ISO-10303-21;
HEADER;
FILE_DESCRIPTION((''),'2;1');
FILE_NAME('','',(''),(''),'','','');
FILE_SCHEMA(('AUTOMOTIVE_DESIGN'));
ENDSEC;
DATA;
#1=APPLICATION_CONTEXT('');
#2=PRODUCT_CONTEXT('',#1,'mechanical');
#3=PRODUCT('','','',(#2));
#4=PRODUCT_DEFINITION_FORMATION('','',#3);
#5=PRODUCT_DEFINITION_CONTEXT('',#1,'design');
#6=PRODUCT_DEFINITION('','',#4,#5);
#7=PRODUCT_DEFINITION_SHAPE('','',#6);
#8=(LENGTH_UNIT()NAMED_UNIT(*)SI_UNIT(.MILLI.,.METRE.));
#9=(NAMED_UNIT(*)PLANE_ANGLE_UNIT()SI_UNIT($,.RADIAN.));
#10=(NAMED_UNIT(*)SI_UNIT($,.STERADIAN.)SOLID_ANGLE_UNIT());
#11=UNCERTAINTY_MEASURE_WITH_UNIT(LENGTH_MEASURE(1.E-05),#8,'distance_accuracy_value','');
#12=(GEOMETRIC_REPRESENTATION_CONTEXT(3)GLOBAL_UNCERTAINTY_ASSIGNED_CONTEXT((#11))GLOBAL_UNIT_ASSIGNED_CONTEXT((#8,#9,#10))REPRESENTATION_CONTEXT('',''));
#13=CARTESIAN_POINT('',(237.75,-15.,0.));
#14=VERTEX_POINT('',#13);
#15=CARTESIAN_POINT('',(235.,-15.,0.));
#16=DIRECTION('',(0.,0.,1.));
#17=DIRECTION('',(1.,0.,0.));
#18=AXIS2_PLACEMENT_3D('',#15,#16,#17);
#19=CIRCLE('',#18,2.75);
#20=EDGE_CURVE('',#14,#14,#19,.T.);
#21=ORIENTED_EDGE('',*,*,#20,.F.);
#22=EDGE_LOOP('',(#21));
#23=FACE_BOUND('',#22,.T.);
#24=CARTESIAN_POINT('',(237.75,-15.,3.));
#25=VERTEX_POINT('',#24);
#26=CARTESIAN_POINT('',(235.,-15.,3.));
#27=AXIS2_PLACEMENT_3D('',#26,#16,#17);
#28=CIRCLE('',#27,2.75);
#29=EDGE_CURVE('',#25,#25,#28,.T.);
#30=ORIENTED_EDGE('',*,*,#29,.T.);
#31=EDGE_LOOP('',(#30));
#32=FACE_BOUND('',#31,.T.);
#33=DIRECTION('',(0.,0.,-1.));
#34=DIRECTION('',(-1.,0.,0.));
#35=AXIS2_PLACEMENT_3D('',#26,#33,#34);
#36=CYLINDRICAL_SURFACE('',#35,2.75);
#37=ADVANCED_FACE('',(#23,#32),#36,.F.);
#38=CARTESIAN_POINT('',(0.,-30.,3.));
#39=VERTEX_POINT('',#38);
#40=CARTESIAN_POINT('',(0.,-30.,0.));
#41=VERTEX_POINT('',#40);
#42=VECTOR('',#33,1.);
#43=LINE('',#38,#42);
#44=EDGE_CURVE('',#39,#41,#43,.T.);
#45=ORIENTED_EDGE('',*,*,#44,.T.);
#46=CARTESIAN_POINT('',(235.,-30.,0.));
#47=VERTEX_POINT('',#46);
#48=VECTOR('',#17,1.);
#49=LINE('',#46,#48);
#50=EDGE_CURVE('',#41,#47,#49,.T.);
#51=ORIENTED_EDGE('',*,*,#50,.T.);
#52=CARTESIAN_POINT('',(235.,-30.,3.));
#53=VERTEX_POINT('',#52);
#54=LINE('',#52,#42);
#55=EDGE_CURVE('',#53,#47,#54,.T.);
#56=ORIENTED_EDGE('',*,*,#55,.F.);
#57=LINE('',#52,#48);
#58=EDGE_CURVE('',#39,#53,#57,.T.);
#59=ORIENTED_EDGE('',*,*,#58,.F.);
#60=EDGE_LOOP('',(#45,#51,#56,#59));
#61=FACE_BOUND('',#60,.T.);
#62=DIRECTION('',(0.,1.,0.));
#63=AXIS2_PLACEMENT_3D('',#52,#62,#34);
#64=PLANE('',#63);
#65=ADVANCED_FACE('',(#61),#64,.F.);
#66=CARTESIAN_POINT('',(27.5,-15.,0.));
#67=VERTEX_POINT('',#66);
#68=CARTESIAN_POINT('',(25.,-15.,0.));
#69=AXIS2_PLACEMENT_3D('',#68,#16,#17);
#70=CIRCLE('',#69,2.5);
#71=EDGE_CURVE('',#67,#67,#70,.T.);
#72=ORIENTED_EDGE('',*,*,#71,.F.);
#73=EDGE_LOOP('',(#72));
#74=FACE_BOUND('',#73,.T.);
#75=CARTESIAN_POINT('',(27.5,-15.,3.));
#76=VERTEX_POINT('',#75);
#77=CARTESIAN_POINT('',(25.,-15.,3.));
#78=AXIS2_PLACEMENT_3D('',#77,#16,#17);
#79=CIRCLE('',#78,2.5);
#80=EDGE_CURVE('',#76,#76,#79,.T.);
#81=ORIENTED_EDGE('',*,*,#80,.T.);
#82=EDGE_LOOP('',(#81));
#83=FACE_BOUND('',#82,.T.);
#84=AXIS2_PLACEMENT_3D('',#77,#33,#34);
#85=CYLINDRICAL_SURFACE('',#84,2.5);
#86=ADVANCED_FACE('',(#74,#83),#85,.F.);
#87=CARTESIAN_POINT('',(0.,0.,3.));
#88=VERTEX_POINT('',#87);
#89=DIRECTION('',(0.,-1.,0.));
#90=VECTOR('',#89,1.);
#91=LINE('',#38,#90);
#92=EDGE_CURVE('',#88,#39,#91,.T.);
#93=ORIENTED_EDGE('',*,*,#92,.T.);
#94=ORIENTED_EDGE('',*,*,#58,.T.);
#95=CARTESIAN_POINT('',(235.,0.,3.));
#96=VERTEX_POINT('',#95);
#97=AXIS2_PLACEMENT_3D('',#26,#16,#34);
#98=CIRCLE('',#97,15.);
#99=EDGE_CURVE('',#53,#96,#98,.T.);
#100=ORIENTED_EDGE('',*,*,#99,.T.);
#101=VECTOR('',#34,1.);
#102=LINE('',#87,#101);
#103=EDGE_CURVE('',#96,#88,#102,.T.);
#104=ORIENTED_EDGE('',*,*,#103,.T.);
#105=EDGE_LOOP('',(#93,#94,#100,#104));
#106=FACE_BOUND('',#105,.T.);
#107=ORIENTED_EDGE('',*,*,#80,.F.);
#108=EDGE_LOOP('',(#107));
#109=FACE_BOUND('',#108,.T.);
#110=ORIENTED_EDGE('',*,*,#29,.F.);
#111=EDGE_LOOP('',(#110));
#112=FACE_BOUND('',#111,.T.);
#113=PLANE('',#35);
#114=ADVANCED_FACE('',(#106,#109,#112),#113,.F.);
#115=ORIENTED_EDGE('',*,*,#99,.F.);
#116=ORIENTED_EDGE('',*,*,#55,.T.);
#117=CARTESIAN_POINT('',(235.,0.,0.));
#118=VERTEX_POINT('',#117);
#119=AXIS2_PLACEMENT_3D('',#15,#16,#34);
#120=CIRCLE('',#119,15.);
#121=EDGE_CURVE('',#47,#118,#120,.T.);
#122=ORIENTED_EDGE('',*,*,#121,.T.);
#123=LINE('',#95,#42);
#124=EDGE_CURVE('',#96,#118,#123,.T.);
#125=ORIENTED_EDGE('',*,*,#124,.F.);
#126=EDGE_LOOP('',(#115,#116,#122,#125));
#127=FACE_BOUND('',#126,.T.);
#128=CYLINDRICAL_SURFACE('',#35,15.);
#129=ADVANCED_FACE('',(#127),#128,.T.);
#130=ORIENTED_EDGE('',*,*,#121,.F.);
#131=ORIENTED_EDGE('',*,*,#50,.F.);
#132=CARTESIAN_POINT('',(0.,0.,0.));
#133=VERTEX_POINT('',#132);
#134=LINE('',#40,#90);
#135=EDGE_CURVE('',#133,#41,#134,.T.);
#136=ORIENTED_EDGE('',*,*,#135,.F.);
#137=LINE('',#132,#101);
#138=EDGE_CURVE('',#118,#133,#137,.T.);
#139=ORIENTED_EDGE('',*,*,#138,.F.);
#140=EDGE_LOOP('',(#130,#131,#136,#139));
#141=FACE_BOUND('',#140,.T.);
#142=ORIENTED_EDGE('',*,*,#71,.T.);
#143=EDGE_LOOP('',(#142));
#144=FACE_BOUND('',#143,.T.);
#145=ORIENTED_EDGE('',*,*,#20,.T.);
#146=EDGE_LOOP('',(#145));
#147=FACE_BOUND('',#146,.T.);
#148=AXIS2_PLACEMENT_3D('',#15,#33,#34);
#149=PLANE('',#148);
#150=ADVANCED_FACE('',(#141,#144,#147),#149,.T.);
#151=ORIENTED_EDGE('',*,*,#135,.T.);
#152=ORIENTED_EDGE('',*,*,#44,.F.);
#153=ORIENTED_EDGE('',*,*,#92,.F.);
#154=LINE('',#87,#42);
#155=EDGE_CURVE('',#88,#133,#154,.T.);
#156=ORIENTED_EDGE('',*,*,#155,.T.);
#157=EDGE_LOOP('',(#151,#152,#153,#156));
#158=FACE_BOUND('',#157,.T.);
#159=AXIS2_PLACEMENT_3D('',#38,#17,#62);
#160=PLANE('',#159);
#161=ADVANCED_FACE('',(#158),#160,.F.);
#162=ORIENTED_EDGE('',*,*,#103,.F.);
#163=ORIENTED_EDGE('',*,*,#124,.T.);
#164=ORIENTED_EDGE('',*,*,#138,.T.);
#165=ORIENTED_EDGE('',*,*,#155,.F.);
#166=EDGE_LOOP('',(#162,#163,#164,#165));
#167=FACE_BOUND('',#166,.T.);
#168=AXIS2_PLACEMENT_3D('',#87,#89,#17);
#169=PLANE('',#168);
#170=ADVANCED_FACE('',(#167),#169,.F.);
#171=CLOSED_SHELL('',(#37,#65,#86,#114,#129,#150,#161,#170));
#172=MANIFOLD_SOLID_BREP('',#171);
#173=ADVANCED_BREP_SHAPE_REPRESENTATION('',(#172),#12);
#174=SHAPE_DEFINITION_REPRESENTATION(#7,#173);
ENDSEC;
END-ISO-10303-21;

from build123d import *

# Parameters (mm, degrees)
SKETCH_1_R      = 2.75
SKETCH_1_R_2    = 2.5
EXTRUDE_1_DEPTH = 3


with BuildPart() as part:
    # 草图1 → 凸台-拉伸1 (new body)
    with BuildSketch(Plane.XY):
        with BuildLine():
            Line((0, 0), (235, 0))
            ThreePointArc((235, 0), (250, -15), (235, -30))
            Line((235, -30), (0, -30))
            Line((0, -30), (0, 0))
        make_face()
        with Locations((235, -15)):
            Circle(SKETCH_1_R, mode=Mode.SUBTRACT)
        with Locations((25, -15)):
            Circle(SKETCH_1_R_2, mode=Mode.SUBTRACT)
    extrude(amount=EXTRUDE_1_DEPTH)


solid = part.part
